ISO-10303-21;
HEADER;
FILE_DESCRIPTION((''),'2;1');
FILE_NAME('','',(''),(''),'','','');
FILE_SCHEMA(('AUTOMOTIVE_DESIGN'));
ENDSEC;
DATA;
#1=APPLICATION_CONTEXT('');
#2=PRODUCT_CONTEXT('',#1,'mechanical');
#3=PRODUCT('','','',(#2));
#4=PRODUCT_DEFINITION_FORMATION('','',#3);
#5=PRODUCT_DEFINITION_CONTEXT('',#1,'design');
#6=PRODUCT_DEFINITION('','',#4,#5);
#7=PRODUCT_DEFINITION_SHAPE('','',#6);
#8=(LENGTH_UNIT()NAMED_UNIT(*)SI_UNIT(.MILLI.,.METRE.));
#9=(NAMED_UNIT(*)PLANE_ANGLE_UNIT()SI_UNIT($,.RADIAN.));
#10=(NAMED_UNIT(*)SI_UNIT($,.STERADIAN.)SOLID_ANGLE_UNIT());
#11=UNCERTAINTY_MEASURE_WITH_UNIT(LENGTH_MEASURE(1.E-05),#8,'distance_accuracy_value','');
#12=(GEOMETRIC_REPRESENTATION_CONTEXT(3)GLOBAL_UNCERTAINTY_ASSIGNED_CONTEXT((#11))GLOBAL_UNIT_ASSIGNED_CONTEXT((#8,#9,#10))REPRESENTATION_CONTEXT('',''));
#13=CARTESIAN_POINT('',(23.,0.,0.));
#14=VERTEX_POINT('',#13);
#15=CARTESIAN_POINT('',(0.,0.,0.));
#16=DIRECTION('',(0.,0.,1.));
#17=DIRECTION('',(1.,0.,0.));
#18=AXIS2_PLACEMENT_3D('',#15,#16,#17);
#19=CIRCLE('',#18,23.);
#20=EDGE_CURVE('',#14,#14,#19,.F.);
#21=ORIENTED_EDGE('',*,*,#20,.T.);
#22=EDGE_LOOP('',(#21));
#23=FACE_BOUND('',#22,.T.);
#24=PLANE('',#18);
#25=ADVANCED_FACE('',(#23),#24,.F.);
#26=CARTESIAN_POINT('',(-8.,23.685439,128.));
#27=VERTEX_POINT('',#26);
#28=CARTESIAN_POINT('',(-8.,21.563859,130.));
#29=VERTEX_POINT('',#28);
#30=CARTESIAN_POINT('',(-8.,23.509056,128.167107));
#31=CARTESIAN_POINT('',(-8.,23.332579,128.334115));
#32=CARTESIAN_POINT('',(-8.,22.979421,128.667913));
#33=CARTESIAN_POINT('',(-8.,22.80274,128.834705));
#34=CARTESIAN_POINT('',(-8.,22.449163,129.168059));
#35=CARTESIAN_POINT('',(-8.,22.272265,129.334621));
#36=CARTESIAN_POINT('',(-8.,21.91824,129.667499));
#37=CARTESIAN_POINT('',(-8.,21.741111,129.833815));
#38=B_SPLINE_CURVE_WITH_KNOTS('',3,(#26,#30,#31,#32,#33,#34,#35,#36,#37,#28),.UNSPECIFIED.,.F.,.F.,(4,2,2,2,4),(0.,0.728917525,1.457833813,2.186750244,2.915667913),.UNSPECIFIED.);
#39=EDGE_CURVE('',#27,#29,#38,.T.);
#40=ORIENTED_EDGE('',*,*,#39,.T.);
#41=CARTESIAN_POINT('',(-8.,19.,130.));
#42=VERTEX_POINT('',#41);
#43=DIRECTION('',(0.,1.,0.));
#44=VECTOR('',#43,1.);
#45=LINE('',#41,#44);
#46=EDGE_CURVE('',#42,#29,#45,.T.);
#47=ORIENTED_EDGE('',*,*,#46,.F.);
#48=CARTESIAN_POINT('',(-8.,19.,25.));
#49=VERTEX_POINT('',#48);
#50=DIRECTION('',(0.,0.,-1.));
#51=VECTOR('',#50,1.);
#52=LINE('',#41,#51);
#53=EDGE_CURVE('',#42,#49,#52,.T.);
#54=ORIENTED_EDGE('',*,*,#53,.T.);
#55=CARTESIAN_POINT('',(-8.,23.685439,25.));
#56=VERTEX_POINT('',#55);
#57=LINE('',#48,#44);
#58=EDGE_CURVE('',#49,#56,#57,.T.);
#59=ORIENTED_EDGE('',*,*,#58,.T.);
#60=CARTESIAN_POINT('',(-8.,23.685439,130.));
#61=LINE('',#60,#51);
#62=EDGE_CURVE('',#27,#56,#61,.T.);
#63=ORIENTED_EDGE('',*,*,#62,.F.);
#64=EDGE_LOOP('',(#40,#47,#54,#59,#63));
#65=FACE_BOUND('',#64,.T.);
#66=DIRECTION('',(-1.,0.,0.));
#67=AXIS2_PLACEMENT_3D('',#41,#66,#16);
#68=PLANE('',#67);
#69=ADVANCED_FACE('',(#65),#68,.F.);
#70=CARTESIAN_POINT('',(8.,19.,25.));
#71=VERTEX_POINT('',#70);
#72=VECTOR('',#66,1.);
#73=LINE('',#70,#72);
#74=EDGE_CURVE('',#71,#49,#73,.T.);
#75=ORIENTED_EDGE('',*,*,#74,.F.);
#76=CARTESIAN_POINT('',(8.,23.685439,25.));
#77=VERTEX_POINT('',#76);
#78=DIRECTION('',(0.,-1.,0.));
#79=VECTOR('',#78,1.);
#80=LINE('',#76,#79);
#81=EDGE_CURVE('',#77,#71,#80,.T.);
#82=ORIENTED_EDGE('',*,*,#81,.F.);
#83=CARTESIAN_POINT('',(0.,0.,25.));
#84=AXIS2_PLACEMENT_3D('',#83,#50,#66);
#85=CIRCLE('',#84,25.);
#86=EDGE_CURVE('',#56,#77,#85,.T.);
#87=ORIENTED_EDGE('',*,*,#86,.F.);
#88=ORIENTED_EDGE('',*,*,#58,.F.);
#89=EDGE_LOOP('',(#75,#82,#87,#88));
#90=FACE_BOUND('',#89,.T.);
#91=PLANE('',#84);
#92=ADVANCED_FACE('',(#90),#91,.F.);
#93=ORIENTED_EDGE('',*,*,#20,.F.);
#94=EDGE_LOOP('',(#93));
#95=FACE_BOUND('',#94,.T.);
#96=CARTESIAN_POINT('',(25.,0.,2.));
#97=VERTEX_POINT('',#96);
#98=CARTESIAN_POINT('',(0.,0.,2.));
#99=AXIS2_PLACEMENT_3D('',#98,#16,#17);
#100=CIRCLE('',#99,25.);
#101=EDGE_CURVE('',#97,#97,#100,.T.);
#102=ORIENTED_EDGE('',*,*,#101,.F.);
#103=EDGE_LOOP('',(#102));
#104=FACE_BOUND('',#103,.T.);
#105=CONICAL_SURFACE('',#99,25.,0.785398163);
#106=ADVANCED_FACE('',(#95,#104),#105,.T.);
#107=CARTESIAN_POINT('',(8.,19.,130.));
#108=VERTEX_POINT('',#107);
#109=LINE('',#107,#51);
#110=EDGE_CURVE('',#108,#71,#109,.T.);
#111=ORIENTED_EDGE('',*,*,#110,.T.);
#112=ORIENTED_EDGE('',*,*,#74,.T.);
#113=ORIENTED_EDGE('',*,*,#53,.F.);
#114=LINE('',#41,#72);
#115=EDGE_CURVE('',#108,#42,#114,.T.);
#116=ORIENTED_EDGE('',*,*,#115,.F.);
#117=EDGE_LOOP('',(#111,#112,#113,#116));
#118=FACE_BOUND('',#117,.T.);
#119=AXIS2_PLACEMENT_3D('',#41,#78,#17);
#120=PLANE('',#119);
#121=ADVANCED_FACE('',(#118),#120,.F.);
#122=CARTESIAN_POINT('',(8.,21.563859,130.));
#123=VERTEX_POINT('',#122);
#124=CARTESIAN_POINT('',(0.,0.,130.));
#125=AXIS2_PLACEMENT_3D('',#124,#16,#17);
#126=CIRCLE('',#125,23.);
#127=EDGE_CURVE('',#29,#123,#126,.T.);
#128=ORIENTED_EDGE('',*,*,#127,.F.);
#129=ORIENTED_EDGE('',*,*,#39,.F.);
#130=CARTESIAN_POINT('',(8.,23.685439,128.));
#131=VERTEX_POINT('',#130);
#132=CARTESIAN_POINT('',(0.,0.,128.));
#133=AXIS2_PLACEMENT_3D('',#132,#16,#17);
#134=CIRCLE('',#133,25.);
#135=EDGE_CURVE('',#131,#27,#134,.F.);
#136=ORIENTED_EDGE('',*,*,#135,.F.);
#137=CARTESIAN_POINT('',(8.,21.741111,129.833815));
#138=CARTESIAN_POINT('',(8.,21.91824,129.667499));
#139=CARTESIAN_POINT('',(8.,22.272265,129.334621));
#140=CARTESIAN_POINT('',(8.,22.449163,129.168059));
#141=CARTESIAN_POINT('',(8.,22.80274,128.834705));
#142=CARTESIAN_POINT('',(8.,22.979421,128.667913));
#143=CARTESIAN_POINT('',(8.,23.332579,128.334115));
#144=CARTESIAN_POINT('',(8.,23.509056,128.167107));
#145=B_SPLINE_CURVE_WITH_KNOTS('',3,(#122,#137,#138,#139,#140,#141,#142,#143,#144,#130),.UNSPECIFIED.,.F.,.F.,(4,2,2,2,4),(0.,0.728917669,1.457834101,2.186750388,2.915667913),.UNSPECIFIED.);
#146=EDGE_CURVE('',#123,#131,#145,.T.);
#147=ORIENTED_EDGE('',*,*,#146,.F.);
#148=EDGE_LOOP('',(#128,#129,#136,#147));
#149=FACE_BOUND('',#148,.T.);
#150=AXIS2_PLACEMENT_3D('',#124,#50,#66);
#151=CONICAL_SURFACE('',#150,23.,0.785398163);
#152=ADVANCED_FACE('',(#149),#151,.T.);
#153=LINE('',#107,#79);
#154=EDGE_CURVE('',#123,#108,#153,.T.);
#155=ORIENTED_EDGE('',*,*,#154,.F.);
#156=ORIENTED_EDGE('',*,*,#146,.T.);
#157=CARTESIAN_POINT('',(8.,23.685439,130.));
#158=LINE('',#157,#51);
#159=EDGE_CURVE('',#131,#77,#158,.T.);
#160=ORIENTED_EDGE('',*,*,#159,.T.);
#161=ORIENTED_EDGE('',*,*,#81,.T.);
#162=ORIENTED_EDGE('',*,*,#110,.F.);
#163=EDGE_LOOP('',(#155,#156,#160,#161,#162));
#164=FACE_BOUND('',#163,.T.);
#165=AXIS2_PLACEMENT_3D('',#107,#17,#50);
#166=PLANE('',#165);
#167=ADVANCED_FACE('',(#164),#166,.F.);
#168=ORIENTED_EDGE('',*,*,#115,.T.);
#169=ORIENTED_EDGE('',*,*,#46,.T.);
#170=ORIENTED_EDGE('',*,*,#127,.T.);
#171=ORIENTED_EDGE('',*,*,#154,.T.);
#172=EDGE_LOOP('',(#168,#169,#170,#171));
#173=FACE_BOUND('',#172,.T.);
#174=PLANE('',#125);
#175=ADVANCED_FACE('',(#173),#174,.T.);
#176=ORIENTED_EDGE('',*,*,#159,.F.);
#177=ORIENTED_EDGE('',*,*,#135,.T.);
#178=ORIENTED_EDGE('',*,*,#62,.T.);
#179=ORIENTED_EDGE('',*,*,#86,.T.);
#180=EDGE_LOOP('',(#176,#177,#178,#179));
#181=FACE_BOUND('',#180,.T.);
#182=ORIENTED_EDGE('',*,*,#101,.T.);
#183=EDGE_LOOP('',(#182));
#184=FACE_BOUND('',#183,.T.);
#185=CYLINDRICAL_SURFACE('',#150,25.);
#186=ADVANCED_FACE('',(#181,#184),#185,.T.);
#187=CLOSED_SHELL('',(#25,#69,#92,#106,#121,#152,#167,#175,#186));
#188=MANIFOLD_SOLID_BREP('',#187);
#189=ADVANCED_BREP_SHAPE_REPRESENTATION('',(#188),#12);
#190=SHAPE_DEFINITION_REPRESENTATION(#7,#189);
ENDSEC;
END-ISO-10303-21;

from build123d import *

# Parameters (mm, degrees)
BOSS_EXTRUDE1_DEPTH = 130
BOSS_EXTRUDE2_DEPTH = 25
CHAMFER1_SIZE       = 2


with BuildPart() as part:
    # Sketch1 → Boss-Extrude1 (new body)
    with BuildSketch(Plane.XY):
        with BuildLine():
            Line((-8, 19), (8, 19))
            Line((8, 19), (8, 23.685438565))
            ThreePointArc((8, 23.685438565), (0, -25), (-8, 23.685438565))
            Line((-8, 23.685438565), (-8, 19))
        make_face()
    extrude(amount=BOSS_EXTRUDE1_DEPTH)

    # Sketch2 → Boss-Extrude2 (add)
    with BuildSketch(Plane(origin=(0, 0, 0), x_dir=(-1, 0, 0), z_dir=(0, 0, -1))):
        with BuildLine():
            Line((-8, 23.685438565), (-8, 19))
            Line((-8, 19), (8, 19))
            Line((8, 19), (8, 23.685438565))
            ThreePointArc((8, 23.685438565), (0, 25), (-8, 23.685438565))
        make_face()
    extrude(amount=-BOSS_EXTRUDE2_DEPTH)

    # Chamfer1
    chamfer1_edges = [part.edges().sort_by_distance(p)[0] for p in [
        (0, -25, 130),
        (8, -23.685438565, 0),
    ]]
    chamfer(chamfer1_edges, length=CHAMFER1_SIZE)


solid = part.part
